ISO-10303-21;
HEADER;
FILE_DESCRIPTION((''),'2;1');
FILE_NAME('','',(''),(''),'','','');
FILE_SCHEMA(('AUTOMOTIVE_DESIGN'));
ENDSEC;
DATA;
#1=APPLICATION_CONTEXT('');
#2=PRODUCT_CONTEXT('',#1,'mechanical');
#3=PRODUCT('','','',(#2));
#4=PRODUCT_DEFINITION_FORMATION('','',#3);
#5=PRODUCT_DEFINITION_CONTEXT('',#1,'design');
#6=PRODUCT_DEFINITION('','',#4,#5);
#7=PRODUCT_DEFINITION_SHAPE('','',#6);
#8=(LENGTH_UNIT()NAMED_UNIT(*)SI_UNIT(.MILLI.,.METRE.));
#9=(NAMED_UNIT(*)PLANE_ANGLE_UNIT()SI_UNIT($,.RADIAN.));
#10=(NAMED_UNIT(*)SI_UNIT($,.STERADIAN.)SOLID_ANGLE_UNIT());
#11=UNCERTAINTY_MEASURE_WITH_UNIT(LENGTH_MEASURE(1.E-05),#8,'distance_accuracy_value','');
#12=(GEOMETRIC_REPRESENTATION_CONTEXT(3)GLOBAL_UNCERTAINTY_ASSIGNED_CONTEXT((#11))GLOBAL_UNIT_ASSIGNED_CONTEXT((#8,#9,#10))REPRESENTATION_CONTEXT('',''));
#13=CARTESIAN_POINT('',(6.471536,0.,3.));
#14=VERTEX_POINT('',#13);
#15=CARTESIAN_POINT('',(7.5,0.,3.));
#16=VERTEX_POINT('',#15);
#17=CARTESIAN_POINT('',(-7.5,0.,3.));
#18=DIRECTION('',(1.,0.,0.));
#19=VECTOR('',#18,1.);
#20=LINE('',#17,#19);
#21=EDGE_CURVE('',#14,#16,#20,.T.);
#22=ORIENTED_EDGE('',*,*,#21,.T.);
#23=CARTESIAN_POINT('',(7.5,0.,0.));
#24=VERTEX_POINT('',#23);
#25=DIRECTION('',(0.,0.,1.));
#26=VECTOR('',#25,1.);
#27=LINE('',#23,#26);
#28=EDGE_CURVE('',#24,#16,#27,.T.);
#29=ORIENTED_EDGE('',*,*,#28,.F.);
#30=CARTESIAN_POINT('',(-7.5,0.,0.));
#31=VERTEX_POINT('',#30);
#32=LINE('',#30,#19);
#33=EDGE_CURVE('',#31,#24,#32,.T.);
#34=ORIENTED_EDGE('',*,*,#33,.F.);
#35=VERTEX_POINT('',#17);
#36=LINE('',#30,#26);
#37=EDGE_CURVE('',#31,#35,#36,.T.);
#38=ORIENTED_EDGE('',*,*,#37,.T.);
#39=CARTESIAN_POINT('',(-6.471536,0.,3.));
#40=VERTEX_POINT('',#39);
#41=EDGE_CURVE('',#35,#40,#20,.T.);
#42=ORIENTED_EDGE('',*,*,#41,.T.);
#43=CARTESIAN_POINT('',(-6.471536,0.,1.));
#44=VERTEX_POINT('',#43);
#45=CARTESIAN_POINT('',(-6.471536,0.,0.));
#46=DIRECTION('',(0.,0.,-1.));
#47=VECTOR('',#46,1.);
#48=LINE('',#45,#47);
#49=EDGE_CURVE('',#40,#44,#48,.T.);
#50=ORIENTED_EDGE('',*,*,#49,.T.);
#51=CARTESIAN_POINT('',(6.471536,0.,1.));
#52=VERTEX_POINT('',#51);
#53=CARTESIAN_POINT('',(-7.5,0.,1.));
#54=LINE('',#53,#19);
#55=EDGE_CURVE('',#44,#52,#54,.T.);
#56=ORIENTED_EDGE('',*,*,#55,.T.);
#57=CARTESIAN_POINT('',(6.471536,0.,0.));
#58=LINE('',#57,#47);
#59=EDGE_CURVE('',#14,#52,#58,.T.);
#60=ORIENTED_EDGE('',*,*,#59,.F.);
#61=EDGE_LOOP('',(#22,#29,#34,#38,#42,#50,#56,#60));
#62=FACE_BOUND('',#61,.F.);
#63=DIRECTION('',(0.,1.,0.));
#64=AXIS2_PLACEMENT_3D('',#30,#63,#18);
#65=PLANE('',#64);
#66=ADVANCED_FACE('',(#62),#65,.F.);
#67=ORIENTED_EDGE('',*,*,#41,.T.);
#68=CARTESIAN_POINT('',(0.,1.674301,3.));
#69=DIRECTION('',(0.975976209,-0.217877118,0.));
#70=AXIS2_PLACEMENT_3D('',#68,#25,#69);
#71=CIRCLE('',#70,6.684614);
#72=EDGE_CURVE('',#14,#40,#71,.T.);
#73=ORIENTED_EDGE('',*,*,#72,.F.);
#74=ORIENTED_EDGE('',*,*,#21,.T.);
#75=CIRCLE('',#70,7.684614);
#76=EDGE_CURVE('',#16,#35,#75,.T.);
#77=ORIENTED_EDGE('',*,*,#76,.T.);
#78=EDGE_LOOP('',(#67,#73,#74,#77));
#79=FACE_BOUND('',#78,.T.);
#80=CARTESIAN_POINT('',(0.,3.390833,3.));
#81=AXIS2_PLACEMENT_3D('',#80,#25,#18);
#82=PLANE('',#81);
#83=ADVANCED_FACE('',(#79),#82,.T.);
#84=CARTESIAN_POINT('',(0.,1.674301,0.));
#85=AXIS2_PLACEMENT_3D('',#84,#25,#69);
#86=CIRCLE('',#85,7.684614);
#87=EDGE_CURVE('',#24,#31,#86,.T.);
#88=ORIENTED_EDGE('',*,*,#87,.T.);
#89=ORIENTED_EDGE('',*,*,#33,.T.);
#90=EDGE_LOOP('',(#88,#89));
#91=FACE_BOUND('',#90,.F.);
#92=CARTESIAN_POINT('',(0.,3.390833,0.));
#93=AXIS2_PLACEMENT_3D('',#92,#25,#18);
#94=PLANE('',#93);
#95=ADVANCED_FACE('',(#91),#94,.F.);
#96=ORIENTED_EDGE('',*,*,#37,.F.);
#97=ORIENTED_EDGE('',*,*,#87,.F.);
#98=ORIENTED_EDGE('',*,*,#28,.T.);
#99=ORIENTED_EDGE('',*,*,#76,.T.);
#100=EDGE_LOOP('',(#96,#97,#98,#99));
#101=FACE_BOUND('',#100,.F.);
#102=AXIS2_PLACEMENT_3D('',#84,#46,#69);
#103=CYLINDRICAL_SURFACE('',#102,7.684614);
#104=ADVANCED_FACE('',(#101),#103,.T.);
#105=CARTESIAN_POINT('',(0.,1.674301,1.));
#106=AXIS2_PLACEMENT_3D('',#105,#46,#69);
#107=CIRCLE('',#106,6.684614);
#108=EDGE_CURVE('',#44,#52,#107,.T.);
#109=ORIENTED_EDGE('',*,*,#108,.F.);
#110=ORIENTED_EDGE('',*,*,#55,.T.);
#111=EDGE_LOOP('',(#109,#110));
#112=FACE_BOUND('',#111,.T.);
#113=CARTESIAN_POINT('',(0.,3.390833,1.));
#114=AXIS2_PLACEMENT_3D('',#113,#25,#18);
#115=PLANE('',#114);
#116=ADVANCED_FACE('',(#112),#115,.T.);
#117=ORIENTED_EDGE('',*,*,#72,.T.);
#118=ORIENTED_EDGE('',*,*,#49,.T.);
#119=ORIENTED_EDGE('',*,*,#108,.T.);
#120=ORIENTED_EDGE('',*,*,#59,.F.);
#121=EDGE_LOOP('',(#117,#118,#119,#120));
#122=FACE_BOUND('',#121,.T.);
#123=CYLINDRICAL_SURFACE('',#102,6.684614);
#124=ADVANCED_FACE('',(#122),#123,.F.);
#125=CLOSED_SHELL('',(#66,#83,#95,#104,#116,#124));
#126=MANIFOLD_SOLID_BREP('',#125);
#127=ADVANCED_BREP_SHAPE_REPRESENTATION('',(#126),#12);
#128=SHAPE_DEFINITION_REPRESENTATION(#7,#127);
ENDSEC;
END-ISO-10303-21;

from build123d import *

# Parameters (mm, degrees)
F0_DEPTH = 3
F1_T     = -1


with BuildPart() as f0:
    # F2 (on Top) → F0 (new body)
    with BuildSketch(Plane.XY):
        with BuildLine():
            Line((-7.5, 0), (7.5, 0))
            ThreePointArc((7.5, 0), (0, 9.358915), (-7.5, 0))
        make_face()
    extrude(amount=F0_DEPTH)

    # F1
    f1_openings = [f0.faces().sort_by_distance(p)[0] for p in [
        (0, 4.051966, 3),
        (0, 0, 1.5),
    ]]
    offset(amount=F1_T, openings=f1_openings)


solid = f0.part
